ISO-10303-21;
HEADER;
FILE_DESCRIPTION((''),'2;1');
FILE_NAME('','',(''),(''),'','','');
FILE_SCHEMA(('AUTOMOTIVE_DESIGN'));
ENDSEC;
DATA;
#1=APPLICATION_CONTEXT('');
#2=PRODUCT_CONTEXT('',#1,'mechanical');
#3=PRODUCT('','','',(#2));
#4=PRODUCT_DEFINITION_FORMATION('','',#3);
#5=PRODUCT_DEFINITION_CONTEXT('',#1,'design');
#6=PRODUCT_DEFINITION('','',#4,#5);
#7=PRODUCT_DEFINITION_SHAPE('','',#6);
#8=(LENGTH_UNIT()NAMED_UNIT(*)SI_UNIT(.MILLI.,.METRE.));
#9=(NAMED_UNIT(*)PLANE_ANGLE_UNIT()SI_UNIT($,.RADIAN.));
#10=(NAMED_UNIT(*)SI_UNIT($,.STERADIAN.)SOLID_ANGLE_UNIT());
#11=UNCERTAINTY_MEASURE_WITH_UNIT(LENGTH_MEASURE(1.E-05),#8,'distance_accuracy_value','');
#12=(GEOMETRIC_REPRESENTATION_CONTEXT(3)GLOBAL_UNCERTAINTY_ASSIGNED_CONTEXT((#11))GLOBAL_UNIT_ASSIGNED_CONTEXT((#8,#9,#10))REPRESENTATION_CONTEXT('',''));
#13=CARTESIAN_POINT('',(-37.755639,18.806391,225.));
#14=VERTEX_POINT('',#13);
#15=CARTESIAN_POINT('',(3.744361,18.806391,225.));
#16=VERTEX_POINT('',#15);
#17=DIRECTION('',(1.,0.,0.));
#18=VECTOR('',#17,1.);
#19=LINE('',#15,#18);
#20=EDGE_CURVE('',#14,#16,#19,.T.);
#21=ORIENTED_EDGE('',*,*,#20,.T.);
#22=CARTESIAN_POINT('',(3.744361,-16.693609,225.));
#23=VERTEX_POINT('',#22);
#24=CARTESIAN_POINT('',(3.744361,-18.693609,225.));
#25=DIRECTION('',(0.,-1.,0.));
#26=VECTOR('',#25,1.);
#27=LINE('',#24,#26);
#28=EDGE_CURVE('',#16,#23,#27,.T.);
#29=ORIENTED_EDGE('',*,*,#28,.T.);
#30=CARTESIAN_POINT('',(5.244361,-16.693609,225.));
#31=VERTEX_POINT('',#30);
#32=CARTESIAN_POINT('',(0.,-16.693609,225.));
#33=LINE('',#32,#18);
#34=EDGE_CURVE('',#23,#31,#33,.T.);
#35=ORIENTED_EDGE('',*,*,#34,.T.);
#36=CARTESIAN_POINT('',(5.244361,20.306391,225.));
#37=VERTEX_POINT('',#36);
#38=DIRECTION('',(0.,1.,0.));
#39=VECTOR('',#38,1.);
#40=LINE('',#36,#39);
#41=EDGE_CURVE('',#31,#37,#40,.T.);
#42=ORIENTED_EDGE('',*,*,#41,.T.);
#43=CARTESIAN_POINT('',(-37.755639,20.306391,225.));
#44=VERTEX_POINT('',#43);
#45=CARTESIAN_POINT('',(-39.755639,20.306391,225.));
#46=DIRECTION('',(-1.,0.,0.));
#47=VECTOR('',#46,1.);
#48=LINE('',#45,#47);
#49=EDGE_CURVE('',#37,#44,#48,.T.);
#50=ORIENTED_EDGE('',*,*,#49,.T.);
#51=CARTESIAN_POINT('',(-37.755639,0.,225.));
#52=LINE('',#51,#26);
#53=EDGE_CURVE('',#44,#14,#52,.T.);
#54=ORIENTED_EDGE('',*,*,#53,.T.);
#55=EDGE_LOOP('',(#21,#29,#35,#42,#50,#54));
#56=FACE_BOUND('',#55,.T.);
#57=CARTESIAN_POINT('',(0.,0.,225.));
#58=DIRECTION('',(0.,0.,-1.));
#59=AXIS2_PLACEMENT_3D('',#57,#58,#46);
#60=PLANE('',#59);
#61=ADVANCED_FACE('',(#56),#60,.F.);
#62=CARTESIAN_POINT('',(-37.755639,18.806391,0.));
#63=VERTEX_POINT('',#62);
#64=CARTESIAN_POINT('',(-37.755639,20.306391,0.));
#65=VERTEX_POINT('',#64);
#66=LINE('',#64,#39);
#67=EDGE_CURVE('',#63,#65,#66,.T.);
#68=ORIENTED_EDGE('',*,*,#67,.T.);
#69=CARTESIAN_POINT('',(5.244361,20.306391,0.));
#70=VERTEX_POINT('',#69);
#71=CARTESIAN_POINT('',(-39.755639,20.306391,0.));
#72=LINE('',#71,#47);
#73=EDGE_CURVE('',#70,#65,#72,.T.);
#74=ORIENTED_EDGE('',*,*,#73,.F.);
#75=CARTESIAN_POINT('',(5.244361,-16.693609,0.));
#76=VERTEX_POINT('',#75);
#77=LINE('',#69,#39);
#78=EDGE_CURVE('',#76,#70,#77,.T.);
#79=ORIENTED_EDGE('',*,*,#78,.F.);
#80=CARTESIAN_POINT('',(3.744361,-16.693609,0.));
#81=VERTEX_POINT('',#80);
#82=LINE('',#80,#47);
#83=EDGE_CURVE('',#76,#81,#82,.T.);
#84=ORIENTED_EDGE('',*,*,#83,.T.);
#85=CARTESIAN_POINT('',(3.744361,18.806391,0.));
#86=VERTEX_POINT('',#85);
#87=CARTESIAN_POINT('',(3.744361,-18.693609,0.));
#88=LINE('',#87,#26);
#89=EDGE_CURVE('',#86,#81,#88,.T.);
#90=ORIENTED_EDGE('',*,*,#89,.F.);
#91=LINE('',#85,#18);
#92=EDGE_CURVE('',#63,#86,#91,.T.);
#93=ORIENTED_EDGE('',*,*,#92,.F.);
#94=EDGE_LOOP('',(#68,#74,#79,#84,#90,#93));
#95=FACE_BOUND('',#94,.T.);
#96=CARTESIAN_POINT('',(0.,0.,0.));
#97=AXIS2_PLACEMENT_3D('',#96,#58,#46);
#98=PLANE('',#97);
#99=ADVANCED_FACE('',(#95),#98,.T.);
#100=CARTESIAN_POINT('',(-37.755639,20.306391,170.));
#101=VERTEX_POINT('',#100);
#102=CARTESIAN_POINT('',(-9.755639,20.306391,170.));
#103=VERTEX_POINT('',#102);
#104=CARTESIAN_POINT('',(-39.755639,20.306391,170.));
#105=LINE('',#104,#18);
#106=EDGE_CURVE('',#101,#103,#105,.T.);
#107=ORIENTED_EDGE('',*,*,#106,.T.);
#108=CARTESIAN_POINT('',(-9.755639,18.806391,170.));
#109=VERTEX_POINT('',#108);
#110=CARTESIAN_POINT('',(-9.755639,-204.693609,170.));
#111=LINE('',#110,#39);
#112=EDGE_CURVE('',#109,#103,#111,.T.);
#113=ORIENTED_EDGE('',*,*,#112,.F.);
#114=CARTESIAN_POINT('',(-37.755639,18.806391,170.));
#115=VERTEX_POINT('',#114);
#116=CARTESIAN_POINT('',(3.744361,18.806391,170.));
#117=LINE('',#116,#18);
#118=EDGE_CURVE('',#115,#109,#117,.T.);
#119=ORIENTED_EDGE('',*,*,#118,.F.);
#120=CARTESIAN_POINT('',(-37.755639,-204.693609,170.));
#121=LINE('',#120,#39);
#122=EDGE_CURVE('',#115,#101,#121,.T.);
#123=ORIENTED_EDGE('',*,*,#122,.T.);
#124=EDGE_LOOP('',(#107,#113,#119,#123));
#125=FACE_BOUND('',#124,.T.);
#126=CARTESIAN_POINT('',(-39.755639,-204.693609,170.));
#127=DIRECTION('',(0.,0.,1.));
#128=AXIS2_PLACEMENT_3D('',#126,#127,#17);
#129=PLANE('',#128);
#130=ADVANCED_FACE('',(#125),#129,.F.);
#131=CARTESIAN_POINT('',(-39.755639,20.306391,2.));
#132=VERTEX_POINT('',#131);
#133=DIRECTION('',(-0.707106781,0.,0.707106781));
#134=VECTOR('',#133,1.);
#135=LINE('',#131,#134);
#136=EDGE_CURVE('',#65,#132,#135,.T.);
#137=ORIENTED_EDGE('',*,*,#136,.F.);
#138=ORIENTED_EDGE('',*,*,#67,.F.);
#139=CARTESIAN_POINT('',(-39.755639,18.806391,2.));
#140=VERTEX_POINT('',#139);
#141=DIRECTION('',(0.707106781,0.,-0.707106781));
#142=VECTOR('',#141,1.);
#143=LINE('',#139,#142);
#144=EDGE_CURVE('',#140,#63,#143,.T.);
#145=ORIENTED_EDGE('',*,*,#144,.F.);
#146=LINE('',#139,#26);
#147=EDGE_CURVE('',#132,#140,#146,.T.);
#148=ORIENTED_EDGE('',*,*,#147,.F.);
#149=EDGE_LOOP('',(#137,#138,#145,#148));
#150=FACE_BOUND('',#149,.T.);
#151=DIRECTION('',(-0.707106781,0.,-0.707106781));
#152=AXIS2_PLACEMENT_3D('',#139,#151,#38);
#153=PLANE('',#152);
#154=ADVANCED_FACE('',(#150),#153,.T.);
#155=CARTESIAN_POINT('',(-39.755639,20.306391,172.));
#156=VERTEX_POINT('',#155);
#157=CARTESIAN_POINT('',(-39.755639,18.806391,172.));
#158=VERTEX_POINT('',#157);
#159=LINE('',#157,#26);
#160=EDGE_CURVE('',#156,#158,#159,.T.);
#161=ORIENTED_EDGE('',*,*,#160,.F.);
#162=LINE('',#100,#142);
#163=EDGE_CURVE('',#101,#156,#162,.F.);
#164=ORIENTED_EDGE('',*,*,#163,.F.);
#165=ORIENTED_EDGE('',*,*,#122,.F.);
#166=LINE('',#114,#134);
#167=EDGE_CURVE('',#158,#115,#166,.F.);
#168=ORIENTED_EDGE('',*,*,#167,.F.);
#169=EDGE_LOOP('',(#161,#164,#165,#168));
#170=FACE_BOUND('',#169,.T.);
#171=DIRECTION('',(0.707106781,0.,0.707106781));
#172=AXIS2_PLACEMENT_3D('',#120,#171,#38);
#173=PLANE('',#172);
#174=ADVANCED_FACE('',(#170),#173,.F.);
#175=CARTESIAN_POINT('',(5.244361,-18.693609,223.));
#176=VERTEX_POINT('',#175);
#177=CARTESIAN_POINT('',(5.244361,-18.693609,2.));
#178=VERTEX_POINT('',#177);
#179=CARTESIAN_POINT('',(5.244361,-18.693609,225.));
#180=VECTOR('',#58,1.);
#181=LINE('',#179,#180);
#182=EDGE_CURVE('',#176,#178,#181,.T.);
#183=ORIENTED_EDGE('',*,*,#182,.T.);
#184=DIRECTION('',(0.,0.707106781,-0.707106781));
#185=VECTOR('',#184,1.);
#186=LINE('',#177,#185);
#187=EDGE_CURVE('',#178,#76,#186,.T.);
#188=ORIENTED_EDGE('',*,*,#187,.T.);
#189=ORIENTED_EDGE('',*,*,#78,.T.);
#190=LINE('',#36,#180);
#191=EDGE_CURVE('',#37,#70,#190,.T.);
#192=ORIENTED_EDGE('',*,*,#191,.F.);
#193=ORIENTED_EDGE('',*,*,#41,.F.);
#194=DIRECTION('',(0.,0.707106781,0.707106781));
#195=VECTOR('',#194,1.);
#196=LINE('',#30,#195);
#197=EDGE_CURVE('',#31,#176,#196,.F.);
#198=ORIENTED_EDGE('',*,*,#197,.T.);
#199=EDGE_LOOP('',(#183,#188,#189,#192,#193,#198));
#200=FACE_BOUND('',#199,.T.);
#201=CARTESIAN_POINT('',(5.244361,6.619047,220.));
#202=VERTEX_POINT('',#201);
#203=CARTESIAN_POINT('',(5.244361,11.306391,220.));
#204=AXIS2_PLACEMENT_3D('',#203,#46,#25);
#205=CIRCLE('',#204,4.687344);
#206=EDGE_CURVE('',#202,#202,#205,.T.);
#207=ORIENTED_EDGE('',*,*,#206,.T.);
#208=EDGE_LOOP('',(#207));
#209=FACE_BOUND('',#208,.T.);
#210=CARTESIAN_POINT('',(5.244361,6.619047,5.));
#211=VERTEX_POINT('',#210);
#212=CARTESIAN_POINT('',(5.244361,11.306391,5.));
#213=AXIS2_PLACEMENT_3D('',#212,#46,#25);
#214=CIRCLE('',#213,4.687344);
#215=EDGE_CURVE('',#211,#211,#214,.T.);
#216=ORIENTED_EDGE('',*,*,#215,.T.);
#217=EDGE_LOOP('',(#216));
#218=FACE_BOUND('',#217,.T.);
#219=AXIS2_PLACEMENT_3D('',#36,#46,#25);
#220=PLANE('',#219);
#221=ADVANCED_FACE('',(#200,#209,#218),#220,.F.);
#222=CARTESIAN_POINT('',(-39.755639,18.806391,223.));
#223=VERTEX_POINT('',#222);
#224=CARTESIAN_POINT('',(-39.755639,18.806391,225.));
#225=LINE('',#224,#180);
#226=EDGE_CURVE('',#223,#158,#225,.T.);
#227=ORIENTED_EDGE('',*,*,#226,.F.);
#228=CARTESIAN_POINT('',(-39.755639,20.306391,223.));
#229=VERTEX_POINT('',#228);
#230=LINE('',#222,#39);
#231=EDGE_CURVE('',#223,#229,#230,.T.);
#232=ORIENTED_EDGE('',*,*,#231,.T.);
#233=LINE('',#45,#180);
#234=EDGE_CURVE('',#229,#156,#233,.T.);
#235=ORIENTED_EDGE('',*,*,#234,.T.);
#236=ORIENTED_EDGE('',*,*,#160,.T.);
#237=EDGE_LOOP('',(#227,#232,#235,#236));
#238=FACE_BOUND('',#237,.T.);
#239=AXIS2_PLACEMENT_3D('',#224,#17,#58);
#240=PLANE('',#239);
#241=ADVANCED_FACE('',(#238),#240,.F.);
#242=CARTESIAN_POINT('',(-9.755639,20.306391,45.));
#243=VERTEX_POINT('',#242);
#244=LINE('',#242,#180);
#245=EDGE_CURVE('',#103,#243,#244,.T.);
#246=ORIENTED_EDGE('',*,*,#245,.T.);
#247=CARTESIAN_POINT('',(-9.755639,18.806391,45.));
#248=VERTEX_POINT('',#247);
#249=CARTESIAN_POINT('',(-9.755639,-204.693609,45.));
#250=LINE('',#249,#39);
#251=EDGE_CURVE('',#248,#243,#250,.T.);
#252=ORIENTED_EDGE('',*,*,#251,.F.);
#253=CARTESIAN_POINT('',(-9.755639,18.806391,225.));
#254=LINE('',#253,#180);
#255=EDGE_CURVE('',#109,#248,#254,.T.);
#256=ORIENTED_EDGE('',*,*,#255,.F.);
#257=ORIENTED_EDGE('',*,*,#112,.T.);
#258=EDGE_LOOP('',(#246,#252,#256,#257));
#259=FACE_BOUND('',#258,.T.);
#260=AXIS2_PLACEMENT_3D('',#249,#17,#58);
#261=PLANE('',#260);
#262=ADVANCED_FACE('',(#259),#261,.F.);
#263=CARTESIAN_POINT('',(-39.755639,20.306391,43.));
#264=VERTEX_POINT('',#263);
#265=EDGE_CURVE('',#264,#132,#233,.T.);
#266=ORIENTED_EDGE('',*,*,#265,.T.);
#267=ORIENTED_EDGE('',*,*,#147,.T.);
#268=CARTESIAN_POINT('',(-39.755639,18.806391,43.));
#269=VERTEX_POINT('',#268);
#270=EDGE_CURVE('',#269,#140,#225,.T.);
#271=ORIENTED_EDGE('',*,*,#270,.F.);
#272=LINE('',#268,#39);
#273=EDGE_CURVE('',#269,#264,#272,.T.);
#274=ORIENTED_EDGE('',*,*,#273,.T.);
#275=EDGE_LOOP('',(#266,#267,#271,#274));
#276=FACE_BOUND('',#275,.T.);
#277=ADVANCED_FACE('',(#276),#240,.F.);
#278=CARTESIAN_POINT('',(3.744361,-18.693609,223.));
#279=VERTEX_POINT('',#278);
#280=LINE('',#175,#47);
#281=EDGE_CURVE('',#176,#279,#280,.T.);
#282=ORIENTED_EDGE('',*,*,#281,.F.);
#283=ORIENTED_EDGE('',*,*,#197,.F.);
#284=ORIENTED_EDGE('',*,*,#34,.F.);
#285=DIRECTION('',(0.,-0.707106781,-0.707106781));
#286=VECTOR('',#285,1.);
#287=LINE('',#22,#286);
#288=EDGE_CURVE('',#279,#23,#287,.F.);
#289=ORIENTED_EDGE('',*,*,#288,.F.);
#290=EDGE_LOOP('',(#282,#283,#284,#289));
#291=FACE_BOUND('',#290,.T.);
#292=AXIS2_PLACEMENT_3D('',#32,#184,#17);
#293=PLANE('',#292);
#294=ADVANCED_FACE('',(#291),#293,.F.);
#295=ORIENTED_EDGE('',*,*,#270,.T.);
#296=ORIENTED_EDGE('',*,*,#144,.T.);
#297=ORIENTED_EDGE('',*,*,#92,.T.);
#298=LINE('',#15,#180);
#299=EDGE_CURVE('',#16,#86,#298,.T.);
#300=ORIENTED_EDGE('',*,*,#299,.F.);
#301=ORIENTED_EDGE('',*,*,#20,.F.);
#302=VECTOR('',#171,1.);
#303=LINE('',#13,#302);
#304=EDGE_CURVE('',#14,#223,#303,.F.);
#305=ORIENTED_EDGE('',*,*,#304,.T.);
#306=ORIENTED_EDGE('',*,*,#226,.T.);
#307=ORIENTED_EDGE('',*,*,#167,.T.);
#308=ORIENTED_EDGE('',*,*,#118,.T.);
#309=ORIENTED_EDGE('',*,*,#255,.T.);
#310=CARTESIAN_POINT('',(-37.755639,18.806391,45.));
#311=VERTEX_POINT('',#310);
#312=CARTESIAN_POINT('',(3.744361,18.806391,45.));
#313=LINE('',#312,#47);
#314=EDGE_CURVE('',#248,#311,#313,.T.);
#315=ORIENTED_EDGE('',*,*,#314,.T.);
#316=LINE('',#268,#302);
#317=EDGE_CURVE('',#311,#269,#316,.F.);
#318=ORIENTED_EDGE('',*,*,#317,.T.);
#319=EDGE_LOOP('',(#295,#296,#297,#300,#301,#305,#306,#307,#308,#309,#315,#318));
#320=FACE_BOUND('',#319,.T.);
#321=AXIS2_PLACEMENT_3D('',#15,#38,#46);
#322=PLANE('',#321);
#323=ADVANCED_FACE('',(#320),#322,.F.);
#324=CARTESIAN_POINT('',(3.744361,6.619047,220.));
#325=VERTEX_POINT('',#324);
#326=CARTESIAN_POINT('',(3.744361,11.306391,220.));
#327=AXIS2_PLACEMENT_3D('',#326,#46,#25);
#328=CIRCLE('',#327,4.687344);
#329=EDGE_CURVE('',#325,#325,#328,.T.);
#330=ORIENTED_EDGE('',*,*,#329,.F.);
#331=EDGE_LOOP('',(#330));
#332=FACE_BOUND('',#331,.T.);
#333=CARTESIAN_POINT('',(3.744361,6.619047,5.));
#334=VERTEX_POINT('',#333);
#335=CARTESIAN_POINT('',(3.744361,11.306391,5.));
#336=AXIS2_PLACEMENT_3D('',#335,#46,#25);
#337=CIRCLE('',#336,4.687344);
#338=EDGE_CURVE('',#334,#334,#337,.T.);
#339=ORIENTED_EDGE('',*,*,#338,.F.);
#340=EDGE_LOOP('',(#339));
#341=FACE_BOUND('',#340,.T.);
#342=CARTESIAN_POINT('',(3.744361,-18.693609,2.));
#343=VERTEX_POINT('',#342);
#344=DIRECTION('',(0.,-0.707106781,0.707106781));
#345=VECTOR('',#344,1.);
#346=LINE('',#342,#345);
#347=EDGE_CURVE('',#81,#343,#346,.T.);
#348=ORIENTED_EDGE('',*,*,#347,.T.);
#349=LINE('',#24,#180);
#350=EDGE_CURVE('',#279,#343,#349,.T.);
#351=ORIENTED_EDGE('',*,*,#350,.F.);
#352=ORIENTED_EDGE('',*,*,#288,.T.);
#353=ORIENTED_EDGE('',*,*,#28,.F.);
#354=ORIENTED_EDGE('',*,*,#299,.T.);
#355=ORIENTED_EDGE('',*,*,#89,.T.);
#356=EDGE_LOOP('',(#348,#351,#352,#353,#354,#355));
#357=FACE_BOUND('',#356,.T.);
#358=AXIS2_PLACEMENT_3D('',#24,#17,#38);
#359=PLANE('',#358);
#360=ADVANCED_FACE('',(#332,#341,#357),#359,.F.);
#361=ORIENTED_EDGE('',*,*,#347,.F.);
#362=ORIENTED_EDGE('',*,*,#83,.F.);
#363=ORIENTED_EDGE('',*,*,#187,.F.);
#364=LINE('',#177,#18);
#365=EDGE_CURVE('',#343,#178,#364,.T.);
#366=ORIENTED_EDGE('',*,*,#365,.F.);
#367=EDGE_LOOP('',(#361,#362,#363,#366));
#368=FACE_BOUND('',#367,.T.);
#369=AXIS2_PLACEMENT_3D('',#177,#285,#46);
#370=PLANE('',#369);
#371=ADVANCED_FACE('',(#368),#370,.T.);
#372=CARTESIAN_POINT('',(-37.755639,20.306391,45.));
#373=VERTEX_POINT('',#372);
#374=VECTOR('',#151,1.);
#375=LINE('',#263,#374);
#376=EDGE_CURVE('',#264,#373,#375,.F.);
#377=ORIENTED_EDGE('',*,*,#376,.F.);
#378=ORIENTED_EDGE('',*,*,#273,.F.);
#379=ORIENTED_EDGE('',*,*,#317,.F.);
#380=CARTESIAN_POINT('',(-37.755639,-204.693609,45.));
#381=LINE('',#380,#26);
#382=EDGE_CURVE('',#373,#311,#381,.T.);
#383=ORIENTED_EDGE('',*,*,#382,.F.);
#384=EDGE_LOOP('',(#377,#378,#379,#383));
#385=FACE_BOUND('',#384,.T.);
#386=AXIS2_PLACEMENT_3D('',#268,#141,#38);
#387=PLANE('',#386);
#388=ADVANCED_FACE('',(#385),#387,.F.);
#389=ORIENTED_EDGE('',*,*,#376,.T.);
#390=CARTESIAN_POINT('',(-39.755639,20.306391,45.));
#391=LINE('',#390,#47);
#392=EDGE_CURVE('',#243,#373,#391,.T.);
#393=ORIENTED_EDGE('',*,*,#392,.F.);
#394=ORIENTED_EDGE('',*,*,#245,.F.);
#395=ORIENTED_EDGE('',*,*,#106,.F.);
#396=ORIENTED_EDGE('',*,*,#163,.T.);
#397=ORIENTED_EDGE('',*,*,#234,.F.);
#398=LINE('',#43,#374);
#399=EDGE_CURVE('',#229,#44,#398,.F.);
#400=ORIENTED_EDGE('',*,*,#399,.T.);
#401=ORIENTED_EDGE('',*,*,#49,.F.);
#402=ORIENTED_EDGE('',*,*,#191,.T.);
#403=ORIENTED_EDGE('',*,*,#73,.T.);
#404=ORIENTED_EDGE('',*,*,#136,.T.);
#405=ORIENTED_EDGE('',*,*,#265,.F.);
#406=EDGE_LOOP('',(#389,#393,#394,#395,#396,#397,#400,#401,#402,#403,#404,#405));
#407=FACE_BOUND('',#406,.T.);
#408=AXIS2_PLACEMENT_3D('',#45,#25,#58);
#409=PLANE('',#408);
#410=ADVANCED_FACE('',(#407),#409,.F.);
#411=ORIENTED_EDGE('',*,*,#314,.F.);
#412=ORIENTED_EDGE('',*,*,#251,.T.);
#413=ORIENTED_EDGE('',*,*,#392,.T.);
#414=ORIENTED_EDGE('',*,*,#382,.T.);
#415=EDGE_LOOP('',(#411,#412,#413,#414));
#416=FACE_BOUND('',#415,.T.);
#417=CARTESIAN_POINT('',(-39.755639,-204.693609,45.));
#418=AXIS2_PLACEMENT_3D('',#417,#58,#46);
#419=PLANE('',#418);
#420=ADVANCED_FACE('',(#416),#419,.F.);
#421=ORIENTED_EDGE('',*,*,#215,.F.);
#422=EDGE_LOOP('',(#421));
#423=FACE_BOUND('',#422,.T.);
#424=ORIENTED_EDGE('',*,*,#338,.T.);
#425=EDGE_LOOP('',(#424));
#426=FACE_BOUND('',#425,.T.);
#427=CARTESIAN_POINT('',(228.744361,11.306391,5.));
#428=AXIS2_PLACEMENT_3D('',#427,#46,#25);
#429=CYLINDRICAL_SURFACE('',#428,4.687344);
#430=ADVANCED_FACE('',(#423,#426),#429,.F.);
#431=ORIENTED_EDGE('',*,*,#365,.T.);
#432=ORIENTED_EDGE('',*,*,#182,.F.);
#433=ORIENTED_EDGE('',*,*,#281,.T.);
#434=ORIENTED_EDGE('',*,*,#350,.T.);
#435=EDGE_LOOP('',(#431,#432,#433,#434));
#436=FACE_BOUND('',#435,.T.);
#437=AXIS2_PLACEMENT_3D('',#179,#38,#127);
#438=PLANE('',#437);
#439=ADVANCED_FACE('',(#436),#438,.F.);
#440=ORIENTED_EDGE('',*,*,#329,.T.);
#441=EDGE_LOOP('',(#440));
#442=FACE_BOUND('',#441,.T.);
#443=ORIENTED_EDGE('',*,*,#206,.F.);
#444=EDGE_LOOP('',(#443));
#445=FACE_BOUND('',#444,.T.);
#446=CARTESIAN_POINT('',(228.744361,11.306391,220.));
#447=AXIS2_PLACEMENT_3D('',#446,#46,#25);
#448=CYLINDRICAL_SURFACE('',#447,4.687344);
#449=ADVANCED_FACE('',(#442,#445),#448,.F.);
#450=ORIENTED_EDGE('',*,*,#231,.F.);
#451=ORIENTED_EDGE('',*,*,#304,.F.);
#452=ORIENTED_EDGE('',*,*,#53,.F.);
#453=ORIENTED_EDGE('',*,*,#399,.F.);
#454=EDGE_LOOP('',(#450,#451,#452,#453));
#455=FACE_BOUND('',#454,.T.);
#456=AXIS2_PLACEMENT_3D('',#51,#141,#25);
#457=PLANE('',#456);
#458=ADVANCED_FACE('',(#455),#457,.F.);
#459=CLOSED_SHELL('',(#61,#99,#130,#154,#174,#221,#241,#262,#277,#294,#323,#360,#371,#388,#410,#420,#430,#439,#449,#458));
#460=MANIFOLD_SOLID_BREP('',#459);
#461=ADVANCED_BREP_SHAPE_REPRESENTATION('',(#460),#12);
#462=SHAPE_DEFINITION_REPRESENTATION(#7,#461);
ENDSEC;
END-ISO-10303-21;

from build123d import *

# Parameters (mm, degrees)
BOSS_EXTRUDE1_DEPTH = 225
SKETCH3_W           = 30
SKETCH3_H           = 125
CUT_EXTRUDE1_DEPTH  = 225
SKETCH4_R           = 4.687343619
CUT_EXTRUDE2_DEPTH  = 225
CHAMFER1_SIZE       = 2


with BuildPart() as part:
    # Sketch1 → Boss-Extrude1 (new body)
    with BuildSketch(Plane.XY):
        Polygon((-39.755639098, 20.306390977), (5.244360902, 20.306390977), (5.244360902, -18.693609023), (3.744360902, -18.693609023), (3.744360902, 18.806390977), (-39.755639098, 18.806390977), align=None)
    extrude(amount=BOSS_EXTRUDE1_DEPTH)

    # Sketch3 → Cut-Extrude1 (cut)
    with BuildSketch(Plane(origin=(0, 20.306390977, 0), x_dir=(1, 0, 0), z_dir=(0, 1, 0))):
        with Locations((-24.755639098, -107.5)):
            Rectangle(SKETCH3_W, SKETCH3_H)
    extrude(amount=-CUT_EXTRUDE1_DEPTH, mode=Mode.SUBTRACT)

    # Sketch4 → Cut-Extrude2 (cut)
    with BuildSketch(Plane.ZY.offset(-3.744360902)):
        with Locations((5, 11.306390977)):
            Circle(SKETCH4_R)
        with Locations((220, 11.306390977)):
            Circle(SKETCH4_R)
    extrude(amount=-CUT_EXTRUDE2_DEPTH, mode=Mode.SUBTRACT)

    # Chamfer1
    chamfer1_edges = [part.edges().sort_by_distance(p)[0] for p in [
        (4.494360902, -18.693609023, 225),
        (-39.755639098, 19.556390977, 170),
        (-39.755639098, 19.556390977, 45),
        (-39.755639098, 19.556390977, 225),
        (4.494360902, -18.693609023, 0),
        (-39.755639098, 19.556390977, 0),
    ]]
    chamfer(chamfer1_edges, length=CHAMFER1_SIZE)


solid = part.part
